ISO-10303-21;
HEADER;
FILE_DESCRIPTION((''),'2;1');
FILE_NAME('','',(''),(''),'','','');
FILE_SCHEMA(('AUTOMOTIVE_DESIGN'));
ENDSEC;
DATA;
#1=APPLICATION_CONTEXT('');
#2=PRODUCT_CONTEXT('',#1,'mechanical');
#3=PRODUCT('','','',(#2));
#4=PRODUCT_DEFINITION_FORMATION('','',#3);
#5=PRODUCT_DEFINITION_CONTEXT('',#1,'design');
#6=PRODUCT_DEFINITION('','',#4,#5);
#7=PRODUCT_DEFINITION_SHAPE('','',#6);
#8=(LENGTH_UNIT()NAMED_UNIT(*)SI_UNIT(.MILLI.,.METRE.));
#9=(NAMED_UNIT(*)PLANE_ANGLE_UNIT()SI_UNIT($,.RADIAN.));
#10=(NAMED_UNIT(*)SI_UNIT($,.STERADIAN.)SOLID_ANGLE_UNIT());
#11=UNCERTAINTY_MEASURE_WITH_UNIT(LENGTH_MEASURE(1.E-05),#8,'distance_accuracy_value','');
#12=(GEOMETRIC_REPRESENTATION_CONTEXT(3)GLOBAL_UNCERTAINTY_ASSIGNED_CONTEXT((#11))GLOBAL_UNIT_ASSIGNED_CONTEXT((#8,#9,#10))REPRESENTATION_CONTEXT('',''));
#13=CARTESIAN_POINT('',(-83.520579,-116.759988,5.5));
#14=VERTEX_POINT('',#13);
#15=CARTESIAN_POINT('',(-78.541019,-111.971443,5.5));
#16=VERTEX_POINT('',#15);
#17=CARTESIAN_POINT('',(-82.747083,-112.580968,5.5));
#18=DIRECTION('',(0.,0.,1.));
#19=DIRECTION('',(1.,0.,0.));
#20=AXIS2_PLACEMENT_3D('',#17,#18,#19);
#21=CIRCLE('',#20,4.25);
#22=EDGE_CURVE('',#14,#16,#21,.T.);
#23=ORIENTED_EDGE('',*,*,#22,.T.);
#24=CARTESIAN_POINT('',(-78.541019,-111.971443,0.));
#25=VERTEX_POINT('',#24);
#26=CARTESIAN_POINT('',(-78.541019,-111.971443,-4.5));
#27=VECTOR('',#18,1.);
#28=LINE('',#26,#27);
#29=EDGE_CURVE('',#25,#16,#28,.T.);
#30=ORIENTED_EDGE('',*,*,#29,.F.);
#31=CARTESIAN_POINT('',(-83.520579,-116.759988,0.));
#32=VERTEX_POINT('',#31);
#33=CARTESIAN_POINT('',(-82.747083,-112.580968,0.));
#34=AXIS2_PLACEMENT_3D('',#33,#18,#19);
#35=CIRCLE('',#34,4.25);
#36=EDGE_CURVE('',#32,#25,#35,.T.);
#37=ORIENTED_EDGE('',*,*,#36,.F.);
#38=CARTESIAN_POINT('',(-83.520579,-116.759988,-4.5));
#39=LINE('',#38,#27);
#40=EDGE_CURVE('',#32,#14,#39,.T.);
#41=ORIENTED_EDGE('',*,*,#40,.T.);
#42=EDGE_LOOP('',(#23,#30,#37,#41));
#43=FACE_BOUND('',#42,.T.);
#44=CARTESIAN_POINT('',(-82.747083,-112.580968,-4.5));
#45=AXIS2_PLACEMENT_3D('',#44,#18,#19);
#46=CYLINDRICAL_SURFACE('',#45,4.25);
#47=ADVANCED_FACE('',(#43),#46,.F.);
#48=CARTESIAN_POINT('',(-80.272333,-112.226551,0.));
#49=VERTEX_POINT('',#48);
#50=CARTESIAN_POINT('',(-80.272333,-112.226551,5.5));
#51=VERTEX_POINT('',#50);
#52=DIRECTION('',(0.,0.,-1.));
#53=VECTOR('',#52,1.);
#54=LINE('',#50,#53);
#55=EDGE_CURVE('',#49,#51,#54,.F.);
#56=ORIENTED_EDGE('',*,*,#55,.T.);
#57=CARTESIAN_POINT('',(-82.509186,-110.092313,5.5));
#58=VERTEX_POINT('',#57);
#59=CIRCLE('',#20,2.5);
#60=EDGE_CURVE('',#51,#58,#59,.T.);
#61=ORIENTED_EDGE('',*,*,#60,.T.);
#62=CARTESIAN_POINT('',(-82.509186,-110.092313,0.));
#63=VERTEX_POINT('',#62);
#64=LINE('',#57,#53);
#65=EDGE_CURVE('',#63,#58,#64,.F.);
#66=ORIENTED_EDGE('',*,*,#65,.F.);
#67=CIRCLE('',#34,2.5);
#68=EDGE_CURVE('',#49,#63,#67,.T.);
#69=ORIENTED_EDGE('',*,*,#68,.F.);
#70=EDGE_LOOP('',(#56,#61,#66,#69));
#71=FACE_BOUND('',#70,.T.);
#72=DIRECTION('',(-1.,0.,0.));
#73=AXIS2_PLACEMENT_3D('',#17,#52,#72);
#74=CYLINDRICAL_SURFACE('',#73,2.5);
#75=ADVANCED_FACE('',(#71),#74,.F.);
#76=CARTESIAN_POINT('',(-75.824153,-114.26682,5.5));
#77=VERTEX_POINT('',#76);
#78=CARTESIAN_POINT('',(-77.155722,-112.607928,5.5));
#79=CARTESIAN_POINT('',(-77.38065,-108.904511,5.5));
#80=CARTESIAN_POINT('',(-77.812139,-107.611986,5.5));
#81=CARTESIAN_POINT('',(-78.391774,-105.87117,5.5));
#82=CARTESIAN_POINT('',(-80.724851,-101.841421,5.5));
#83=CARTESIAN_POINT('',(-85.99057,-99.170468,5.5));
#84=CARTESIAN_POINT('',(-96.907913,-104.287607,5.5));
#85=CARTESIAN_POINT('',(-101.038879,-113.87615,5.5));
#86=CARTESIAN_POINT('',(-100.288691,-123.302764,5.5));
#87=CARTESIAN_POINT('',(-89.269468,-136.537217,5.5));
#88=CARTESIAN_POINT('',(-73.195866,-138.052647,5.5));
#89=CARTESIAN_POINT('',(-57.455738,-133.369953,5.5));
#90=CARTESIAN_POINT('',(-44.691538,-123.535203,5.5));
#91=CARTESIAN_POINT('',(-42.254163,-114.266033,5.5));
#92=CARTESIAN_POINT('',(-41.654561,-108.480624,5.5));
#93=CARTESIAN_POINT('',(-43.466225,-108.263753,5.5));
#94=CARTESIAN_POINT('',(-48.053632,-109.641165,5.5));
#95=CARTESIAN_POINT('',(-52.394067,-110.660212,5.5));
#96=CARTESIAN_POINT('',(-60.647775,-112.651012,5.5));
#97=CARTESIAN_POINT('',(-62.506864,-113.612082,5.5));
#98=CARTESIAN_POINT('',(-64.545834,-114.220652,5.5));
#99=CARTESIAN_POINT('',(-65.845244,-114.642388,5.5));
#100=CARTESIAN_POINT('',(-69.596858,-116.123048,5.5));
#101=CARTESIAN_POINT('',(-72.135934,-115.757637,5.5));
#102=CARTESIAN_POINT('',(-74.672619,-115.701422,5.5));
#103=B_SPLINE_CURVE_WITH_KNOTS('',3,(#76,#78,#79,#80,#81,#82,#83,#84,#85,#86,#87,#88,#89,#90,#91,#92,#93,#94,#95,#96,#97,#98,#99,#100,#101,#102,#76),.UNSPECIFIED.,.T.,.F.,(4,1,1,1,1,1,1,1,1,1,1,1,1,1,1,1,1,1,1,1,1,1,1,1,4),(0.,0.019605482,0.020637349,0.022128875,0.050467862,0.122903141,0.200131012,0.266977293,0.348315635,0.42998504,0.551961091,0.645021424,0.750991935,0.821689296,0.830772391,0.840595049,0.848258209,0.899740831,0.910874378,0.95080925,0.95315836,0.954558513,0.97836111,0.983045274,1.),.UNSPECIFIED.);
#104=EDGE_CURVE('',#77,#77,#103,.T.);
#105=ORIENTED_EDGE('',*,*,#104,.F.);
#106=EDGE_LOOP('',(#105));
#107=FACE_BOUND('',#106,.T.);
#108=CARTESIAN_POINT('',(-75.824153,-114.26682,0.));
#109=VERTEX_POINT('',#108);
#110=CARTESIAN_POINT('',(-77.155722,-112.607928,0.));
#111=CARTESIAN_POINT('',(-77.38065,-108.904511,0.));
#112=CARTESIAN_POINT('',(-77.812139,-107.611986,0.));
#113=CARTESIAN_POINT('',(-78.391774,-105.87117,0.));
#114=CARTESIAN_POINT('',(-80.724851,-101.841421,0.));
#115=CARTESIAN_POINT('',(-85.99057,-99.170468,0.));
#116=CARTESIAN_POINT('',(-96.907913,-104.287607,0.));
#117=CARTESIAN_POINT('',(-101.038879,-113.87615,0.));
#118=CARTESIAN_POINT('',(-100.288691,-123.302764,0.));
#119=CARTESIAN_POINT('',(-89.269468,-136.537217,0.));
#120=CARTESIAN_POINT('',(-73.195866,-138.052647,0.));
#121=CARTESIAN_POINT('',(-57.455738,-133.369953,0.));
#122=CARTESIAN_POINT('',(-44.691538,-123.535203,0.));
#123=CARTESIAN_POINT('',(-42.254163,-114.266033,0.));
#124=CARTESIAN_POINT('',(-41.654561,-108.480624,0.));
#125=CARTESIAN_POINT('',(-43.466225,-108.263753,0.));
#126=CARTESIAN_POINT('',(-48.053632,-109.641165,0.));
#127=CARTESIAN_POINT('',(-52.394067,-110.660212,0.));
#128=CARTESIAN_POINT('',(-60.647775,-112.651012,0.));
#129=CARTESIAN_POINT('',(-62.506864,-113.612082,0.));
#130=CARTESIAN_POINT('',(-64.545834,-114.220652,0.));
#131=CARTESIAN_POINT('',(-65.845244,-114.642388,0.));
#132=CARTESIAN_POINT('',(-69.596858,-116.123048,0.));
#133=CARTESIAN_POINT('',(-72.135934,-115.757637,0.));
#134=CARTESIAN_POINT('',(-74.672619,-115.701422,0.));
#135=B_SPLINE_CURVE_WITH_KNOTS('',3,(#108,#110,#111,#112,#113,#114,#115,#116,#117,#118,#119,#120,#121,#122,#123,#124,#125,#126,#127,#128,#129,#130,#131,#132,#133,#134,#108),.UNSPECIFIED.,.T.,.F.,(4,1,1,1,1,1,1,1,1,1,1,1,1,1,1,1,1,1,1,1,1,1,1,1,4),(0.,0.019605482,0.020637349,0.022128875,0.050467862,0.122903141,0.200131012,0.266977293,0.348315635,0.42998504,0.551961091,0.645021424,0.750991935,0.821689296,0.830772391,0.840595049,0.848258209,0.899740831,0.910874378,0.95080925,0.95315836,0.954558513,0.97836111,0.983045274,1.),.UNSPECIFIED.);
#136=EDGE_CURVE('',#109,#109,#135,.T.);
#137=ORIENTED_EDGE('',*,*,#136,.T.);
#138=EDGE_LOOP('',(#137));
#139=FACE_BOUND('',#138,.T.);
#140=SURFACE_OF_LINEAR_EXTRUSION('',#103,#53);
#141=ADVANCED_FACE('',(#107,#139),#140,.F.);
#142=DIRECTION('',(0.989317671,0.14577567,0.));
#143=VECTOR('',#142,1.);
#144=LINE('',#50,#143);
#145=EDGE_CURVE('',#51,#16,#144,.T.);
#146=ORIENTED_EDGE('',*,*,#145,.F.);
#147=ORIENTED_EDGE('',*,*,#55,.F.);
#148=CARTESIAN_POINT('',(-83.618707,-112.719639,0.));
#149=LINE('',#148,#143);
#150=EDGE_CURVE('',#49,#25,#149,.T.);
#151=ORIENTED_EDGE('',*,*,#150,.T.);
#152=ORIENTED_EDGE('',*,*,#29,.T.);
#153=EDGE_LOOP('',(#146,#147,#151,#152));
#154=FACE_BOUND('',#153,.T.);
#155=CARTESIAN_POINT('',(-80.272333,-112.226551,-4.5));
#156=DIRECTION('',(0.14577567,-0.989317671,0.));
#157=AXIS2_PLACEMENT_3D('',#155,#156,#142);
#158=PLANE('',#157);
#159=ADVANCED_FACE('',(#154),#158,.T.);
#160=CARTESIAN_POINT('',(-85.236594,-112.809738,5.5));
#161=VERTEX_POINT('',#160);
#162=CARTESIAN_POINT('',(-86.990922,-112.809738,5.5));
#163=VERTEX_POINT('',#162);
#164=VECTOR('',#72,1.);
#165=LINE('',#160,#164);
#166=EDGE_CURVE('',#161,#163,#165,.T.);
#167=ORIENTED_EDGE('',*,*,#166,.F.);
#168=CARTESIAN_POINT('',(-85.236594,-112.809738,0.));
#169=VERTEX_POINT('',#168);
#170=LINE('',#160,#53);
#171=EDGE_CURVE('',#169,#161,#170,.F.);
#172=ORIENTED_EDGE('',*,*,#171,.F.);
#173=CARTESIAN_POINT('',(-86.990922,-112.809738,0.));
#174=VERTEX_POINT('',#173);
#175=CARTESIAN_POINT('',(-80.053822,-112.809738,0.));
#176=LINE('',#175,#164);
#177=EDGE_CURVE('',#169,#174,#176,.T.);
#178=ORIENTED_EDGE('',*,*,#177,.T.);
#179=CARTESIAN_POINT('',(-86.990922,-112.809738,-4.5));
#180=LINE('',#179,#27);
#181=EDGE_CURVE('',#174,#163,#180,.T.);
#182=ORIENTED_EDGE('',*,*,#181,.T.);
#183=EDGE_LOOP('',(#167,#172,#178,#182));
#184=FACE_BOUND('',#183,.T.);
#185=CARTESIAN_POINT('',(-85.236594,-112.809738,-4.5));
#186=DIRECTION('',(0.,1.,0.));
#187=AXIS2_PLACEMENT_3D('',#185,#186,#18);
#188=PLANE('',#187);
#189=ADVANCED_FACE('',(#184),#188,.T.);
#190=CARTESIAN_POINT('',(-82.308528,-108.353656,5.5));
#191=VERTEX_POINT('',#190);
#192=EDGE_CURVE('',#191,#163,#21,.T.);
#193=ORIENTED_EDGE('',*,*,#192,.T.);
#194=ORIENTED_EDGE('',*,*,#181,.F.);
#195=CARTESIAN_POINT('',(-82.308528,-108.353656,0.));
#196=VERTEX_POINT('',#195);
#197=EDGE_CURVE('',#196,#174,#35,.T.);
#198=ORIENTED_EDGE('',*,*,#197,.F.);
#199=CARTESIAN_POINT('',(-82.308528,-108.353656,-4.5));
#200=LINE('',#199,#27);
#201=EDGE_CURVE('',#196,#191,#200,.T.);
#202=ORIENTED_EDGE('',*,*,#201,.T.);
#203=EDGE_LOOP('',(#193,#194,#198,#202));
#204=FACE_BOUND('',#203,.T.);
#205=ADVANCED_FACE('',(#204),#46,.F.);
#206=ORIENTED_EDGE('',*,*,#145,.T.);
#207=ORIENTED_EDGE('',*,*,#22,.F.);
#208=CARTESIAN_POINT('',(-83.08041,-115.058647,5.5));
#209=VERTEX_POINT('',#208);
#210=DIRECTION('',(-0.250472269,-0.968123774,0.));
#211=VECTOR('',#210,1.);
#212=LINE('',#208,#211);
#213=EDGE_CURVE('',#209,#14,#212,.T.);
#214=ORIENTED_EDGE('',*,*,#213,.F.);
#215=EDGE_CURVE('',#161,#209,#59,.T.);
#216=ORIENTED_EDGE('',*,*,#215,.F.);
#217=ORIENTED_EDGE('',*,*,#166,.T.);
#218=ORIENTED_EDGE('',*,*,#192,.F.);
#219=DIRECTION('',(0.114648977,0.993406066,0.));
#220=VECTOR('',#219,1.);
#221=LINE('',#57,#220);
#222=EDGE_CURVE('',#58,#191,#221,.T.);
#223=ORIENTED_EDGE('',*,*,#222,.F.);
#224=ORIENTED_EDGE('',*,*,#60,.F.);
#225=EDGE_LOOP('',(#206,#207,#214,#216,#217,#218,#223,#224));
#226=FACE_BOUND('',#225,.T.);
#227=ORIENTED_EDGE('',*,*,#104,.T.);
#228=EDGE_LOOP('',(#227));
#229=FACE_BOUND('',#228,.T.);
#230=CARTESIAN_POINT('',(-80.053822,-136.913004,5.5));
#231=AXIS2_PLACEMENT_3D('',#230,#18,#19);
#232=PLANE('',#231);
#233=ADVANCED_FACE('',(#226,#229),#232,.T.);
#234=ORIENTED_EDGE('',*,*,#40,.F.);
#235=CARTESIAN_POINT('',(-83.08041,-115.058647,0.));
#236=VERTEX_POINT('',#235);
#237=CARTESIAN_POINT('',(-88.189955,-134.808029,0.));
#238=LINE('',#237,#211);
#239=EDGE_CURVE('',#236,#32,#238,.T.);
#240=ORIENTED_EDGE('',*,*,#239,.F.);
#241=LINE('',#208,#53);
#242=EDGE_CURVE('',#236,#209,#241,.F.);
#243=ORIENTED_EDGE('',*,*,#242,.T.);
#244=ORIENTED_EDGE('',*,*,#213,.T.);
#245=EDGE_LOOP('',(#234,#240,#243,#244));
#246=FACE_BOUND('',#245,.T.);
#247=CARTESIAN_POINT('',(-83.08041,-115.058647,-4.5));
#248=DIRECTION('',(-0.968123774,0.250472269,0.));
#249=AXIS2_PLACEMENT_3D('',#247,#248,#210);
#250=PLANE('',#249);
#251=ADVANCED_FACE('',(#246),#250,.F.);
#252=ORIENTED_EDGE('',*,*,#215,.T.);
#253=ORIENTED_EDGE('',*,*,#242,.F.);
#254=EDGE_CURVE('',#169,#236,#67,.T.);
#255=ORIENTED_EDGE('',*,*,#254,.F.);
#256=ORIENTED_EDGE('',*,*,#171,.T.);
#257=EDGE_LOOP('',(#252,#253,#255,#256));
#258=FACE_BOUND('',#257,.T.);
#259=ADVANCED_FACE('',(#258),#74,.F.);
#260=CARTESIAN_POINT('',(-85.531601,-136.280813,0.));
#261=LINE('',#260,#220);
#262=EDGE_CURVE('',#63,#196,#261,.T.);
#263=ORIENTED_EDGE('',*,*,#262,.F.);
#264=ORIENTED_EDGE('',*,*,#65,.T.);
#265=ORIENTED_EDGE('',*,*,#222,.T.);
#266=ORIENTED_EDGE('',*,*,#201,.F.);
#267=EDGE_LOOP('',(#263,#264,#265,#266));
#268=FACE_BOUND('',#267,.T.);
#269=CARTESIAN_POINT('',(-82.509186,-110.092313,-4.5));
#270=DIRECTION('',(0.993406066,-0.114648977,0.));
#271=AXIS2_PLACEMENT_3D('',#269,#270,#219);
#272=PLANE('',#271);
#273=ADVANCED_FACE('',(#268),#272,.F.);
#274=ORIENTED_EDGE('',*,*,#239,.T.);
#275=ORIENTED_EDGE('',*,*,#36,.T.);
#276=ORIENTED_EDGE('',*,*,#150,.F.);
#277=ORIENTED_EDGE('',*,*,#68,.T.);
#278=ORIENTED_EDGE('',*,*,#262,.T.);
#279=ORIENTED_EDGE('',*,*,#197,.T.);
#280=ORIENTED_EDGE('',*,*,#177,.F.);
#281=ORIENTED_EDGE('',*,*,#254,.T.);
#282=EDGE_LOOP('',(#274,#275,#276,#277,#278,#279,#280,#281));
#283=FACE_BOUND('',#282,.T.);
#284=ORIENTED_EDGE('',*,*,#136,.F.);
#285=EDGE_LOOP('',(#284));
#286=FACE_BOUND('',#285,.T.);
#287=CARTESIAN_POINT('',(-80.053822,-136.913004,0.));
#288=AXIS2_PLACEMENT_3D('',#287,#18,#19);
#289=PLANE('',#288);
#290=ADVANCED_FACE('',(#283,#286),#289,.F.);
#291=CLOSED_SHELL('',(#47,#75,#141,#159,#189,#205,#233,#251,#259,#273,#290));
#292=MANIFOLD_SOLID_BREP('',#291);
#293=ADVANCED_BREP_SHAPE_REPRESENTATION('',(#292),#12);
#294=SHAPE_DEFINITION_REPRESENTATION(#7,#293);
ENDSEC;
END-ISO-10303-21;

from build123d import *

# Parameters (mm, degrees)
SCHIZZO1_R                   = 2.5
ESTRUSIONE_ESTRUSIONE1_DEPTH = 5.5
TAGLIO_ESTRUSIONE1_DEPTH     = 10


with BuildPart() as part:
    # Schizzo1 → Estrusione-Estrusione1 (new body)
    with BuildSketch(Plane.XY):
        with BuildLine():
            add(Edge.make_bspline(
                [(-75.824153285, -114.26682019), (-77.155722135, -112.607928015), (-77.380650265, -108.904511464), (-77.812138775, -107.611985546), (-78.391774348, -105.871169977), (-80.72485053, -101.841420768), (-85.990570093, -99.17046831), (-96.907912796, -104.28760714), (-101.038879113, -113.876150436), (-100.288690876, -123.302763721), (-89.269468366, -136.537216553), (-73.195865931, -138.052646927), (-57.455738051, -133.369952636), (-44.691537743, -123.535203139), (-42.254163283, -114.266033288), (-41.654561184, -108.48062384), (-43.466224946, -108.263753116), (-48.053631516, -109.641165444), (-52.39406684, -110.660212358), (-60.647774842, -112.651012095), (-62.506863678, -113.612081966), (-64.545834483, -114.220651877), (-65.845244128, -114.642388058), (-69.596857974, -116.123048026), (-72.135934347, -115.757636844), (-74.672618994, -115.701422107), (-75.824153285, -114.26682019)],
                knots=[0, 0, 0, 0, 0.019605482, 0.020637349, 0.022128875, 0.050467862, 0.122903141, 0.200131012, 0.266977293, 0.348315635, 0.42998504, 0.551961091, 0.645021424, 0.750991935, 0.821689296, 0.830772391, 0.840595049, 0.848258209, 0.899740831, 0.910874378, 0.95080925, 0.95315836, 0.954558513, 0.97836111, 0.983045274, 1, 1, 1, 1], degree=3))
        make_face()
        with Locations((-82.747083107, -112.580968106)):
            Circle(SCHIZZO1_R, mode=Mode.SUBTRACT)
    extrude(amount=ESTRUSIONE_ESTRUSIONE1_DEPTH)

    # Schizzo2 → Taglio-Estrusione1 (cut)
    with BuildSketch(Plane.XY.offset(5.5)):
        with BuildLine():
            Line((-82.509186121, -110.092312842), (-82.308527744, -108.353655817))
            ThreePointArc((-82.308527744, -108.353655817), (-85.676965681, -109.502285255), (-86.990921502, -112.809738024))
            Line((-86.990921502, -112.809738024), (-85.236593967, -112.809738024))
            ThreePointArc((-85.236593967, -112.809738024), (-84.511606035, -110.809963071), (-82.509186121, -110.092312842))
        make_face()
        with BuildLine():
            Line((-83.080409832, -115.05864712), (-83.520579374, -116.759987552))
            ThreePointArc((-83.520579374, -116.759987552), (-79.80120945, -115.644353227), (-78.541018579, -111.971442726))
            Line((-78.541018579, -111.971442726), (-80.27233286, -112.226551379))
            ThreePointArc((-80.27233286, -112.226551379), (-80.971804186, -114.341191034), (-83.080409832, -115.05864712))
        make_face()
    extrude(amount=-TAGLIO_ESTRUSIONE1_DEPTH, mode=Mode.SUBTRACT)


solid = part.part
